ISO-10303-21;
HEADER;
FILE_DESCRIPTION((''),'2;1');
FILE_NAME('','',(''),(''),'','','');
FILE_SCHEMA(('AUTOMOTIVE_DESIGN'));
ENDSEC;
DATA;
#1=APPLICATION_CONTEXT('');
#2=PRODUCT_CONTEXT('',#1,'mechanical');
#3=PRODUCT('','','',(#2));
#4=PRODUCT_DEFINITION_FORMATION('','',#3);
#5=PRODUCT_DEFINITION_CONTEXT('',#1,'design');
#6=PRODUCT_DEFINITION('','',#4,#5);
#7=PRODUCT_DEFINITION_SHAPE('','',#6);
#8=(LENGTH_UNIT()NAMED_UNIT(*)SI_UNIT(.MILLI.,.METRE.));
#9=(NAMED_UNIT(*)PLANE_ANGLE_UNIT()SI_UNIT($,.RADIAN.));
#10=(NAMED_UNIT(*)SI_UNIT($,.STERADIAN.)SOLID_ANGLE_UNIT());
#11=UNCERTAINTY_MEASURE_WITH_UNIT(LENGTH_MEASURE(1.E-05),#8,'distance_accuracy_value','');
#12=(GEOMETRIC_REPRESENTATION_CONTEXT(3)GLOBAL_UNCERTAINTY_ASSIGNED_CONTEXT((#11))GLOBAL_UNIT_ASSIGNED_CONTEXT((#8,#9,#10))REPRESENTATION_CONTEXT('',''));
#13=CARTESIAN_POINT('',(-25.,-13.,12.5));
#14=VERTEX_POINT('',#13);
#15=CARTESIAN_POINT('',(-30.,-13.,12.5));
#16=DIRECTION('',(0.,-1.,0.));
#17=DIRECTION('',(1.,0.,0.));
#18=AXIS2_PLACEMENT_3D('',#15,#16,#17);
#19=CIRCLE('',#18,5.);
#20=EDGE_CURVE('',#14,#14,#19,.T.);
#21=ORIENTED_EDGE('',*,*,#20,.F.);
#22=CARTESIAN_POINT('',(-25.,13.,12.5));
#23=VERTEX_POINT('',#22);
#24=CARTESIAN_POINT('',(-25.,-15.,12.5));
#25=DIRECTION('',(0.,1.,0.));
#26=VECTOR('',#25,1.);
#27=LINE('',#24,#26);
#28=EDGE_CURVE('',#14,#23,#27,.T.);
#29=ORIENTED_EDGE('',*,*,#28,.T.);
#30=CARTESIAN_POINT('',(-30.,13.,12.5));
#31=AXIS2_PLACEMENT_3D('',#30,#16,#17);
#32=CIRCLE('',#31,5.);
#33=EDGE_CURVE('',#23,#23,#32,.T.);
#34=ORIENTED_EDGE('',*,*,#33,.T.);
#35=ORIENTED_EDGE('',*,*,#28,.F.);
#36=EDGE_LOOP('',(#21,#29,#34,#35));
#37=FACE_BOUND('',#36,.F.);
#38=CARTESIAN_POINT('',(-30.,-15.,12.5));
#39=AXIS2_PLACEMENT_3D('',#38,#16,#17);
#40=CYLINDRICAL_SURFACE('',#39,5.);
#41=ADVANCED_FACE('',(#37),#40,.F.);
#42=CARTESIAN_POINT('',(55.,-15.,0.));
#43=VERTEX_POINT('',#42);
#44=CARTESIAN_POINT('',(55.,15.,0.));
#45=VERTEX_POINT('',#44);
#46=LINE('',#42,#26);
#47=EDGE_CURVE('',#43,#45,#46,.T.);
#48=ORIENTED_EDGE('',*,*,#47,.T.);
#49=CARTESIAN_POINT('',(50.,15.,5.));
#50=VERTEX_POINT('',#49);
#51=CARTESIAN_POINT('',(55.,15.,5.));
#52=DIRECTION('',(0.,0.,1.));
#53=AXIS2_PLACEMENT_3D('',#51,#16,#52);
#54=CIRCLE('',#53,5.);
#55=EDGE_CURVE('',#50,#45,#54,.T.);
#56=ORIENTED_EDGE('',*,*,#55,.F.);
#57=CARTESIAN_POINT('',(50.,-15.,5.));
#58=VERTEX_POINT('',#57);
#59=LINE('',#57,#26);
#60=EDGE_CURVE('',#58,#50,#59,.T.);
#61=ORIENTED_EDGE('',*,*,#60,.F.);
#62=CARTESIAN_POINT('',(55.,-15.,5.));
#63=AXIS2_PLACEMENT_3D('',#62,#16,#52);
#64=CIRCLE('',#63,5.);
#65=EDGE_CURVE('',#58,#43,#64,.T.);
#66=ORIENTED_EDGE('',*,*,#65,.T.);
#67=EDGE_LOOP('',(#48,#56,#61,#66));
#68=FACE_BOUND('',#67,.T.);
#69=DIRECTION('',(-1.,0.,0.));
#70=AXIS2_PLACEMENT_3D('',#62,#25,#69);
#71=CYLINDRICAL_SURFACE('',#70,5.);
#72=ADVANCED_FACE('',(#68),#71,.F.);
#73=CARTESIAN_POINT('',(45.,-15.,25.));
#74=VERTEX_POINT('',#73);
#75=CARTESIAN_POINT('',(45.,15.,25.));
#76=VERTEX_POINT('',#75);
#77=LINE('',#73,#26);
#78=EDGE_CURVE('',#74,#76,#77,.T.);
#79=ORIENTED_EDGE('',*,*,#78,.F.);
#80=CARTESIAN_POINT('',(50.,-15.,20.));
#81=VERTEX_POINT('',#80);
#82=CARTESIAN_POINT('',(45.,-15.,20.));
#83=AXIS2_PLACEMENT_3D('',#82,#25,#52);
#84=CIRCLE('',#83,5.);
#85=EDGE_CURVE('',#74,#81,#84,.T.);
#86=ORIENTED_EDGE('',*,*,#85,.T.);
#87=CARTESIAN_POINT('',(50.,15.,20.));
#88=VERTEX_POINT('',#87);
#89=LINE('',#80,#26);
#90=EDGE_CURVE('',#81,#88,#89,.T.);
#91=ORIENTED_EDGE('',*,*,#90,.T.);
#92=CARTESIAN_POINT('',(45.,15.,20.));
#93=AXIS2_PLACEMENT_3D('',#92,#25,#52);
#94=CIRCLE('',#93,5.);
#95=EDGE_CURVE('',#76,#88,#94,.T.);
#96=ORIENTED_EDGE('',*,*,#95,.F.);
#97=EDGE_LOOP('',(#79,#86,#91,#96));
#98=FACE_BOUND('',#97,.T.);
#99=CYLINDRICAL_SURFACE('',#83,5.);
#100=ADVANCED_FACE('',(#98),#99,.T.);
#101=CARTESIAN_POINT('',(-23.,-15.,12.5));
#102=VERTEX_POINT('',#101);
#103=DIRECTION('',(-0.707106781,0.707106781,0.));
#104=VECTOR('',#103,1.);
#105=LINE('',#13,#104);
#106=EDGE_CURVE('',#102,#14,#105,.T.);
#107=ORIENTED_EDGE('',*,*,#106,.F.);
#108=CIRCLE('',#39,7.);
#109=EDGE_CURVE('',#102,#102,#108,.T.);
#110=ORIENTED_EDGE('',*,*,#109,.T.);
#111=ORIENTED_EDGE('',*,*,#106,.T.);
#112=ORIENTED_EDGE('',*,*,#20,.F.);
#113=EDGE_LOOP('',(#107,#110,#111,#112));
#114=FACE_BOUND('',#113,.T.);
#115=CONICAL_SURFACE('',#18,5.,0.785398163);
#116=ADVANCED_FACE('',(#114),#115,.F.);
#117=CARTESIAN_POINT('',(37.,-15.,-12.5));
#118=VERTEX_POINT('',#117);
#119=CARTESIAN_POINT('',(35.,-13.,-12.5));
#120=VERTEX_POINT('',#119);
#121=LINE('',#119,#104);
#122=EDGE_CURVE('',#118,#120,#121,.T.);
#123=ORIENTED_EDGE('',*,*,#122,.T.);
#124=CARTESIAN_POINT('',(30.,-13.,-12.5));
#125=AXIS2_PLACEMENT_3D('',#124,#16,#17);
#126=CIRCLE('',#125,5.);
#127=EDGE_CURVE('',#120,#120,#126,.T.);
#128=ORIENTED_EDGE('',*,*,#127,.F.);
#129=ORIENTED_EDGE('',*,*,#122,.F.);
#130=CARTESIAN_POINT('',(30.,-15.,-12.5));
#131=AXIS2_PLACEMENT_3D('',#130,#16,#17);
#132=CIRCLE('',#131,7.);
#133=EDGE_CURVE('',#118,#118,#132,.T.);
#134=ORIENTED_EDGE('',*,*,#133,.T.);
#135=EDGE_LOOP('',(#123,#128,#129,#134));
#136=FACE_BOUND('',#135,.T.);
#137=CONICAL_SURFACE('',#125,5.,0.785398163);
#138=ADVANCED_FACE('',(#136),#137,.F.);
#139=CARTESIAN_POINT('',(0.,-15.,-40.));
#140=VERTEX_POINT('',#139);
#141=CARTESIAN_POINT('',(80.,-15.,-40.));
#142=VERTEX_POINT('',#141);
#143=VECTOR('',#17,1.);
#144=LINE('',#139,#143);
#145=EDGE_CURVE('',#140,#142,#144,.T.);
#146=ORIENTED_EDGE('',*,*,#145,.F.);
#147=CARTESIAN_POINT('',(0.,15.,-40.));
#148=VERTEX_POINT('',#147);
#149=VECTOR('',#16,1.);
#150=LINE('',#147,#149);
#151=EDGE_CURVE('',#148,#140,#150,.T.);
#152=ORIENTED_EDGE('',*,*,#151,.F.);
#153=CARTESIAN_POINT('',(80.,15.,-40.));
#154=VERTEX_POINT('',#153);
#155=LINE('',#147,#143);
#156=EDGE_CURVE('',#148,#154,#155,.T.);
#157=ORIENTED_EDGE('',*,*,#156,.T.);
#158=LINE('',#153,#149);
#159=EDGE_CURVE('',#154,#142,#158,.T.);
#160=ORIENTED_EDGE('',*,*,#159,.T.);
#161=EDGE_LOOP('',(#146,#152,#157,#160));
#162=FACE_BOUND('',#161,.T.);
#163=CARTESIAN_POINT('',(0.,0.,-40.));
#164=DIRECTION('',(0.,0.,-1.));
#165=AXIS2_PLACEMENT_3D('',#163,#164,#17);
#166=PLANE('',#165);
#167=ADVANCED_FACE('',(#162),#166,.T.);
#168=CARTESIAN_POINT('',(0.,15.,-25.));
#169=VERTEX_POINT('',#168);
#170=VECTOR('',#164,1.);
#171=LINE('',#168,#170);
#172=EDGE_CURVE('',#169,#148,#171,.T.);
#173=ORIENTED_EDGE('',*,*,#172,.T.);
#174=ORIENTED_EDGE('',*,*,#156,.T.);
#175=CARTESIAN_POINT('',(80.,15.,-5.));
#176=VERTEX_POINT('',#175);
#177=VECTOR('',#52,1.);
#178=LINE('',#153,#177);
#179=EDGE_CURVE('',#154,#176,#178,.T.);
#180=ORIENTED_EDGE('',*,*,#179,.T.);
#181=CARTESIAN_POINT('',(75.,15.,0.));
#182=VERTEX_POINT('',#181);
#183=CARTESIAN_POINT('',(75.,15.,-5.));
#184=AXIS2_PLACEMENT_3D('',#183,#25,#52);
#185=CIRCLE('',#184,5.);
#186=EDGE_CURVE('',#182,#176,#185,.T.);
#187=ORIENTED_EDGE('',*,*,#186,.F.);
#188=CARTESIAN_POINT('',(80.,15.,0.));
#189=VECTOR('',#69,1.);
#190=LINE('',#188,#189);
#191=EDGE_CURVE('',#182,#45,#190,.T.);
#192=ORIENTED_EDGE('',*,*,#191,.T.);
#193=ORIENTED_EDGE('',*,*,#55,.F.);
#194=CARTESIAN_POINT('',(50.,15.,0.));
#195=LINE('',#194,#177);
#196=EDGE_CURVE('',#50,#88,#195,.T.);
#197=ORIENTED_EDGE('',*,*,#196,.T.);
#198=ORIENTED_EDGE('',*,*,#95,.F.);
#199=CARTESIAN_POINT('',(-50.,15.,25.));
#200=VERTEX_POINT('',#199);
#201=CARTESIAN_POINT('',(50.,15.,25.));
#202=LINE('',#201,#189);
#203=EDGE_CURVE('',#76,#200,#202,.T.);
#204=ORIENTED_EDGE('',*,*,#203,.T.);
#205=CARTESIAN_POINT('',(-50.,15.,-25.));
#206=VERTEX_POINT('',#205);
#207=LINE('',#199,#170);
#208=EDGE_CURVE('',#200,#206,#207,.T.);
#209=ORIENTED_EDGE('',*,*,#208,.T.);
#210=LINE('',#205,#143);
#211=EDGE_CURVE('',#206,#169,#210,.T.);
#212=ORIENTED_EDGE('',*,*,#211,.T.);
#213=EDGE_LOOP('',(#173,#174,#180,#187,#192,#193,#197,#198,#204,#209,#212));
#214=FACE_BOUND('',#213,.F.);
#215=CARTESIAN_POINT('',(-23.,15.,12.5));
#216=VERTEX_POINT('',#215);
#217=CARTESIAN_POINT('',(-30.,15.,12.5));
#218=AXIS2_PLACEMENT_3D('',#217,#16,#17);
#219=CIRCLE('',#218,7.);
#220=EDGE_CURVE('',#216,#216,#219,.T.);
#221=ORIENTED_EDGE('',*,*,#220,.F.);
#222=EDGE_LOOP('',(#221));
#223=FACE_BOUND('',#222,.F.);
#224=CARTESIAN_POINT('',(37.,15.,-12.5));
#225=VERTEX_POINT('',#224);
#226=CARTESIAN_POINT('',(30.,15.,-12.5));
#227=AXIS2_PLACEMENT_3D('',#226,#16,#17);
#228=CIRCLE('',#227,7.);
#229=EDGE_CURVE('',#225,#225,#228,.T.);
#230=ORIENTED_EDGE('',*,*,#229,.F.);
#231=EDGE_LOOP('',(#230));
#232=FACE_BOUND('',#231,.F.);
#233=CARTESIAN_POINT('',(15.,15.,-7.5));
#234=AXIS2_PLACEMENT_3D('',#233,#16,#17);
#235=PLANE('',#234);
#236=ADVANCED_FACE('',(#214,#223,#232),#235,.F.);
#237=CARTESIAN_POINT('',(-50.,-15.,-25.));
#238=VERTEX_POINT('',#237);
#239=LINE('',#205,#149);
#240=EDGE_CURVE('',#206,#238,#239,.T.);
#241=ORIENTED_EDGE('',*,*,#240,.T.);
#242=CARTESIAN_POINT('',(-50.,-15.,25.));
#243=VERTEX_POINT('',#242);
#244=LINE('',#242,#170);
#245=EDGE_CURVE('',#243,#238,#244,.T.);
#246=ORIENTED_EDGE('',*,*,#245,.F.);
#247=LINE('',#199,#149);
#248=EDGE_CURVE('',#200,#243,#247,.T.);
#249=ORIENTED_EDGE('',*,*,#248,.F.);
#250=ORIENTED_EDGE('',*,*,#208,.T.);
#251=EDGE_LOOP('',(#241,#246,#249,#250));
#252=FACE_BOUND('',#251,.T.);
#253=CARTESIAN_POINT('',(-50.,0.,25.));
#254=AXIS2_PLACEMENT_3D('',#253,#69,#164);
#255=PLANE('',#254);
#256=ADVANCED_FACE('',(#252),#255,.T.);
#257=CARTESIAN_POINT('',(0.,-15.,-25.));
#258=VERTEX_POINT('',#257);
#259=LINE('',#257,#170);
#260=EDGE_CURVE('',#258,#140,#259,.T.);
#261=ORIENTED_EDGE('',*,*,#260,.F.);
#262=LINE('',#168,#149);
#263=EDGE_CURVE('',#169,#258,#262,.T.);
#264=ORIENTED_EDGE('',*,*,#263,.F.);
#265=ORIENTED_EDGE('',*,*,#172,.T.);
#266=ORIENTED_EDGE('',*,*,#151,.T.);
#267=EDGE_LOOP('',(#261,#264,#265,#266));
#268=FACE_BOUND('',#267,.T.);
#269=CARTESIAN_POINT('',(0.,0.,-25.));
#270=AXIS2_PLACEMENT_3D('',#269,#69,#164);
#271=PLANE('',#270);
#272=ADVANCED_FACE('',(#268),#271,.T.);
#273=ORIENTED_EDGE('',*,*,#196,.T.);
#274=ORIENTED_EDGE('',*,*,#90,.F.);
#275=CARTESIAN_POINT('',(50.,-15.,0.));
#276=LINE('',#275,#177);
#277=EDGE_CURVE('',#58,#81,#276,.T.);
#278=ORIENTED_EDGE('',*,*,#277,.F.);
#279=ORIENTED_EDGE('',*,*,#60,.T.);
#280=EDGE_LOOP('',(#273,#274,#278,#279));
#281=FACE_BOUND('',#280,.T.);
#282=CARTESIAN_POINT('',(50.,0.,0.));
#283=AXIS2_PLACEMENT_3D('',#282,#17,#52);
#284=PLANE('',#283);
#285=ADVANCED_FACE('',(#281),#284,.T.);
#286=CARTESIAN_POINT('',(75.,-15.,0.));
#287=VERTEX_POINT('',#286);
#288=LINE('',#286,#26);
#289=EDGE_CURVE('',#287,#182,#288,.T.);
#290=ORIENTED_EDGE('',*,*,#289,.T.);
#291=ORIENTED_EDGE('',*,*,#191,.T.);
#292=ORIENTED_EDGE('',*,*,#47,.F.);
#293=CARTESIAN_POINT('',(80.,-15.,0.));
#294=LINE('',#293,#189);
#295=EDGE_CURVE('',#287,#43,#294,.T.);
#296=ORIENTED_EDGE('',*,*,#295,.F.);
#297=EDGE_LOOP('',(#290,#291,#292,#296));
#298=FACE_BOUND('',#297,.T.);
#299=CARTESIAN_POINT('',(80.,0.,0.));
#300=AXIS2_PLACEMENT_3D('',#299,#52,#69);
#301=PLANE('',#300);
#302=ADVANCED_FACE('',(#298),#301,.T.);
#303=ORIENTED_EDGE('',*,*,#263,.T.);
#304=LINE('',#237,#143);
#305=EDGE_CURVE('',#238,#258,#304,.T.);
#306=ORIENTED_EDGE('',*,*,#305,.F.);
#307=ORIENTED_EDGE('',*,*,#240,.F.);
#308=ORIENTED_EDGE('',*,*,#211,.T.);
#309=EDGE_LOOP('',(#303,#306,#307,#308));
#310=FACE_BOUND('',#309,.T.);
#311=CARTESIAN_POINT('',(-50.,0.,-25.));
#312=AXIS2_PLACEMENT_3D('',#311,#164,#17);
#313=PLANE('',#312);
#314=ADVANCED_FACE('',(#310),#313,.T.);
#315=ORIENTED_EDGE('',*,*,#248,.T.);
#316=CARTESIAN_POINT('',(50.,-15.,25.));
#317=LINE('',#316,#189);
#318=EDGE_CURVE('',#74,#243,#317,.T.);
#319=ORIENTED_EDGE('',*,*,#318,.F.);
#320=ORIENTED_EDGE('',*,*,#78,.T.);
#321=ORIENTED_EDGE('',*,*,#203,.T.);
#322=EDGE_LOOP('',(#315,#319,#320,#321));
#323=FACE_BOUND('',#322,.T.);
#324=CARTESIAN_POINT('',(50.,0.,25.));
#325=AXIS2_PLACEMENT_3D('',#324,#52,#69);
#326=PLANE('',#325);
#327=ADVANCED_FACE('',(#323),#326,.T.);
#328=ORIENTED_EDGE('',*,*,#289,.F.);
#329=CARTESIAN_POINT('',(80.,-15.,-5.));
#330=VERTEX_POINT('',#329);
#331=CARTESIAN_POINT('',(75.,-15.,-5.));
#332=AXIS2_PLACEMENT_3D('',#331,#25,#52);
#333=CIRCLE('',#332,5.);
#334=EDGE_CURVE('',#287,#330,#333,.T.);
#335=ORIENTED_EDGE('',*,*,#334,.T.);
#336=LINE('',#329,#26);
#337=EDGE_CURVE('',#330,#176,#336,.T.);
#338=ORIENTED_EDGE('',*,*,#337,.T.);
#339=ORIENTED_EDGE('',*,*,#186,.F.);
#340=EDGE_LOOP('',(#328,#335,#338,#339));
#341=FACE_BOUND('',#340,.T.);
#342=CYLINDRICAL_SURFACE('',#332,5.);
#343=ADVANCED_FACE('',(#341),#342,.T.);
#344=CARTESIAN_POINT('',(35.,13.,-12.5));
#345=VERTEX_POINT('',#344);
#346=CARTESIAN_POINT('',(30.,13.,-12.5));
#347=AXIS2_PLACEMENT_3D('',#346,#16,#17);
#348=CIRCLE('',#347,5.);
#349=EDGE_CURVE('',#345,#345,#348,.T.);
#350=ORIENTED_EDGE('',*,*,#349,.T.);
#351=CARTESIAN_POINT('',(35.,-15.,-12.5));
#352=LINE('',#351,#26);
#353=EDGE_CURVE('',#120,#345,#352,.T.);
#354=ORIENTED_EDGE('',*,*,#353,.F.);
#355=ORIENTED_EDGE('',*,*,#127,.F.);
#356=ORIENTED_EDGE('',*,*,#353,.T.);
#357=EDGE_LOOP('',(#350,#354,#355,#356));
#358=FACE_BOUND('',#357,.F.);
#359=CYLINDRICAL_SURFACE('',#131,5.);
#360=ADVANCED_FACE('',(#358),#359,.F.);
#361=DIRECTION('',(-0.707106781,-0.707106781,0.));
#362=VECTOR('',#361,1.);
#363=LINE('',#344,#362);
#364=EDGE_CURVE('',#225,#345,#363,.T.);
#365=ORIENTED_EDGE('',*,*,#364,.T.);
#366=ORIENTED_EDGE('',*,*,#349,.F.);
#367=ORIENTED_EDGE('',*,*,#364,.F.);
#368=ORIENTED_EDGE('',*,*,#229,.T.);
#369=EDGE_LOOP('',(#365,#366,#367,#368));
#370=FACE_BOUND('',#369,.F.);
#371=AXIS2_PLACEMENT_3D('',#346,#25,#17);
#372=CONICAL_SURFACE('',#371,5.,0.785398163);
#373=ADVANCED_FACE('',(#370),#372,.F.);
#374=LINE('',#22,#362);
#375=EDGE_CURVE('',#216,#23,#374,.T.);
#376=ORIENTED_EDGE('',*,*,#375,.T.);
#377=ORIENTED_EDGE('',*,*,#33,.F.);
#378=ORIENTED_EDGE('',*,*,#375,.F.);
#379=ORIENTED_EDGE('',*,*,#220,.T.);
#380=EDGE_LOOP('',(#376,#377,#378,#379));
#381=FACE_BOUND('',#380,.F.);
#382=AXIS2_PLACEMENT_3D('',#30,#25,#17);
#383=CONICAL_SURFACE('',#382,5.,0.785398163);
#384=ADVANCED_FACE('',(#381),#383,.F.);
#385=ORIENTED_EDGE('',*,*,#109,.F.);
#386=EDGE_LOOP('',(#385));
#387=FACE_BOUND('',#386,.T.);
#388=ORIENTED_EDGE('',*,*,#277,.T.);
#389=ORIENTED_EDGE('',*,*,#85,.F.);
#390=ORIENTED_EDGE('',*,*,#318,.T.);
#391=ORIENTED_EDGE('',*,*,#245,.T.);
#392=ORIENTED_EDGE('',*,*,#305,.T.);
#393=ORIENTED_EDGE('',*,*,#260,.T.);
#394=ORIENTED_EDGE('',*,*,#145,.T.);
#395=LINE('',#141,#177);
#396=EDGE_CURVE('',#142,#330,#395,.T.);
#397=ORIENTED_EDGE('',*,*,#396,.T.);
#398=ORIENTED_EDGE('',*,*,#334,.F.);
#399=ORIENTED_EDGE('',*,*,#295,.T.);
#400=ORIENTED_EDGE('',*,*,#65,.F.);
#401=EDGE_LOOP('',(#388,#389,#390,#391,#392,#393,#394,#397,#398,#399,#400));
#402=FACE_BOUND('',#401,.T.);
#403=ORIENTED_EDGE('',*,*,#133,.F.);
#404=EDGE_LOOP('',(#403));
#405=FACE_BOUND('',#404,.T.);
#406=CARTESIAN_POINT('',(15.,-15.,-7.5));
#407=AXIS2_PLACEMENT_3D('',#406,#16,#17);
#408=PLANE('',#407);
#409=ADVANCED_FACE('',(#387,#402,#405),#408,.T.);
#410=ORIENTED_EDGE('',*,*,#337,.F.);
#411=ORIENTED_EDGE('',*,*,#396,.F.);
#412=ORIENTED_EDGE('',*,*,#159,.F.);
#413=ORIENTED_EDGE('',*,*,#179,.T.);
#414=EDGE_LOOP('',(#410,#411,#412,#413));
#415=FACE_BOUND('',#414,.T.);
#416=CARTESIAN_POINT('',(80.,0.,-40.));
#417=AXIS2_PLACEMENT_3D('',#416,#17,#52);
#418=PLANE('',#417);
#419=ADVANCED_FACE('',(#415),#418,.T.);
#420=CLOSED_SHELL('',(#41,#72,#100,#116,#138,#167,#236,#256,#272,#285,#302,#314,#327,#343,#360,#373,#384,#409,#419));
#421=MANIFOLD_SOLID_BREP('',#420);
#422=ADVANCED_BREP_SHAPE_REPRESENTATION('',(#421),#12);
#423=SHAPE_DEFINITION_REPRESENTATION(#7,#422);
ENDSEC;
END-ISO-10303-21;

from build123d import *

# Parameters (mm, degrees)
F1_DEPTH = 15
F2_R     = 5
F3_R     = 5
F4_DEPTH = 30.001
F5_SIZE  = 2


with BuildPart() as f1:
    # F0 (on Front) → F1 (new body, symmetric)
    with BuildSketch(Plane.XZ):
        Polygon((50, 25), (-50, 25), (-50, -25), (0, -25), (0, -40), (80, -40), (80, 0), (50, 0), align=None)
    extrude(amount=F1_DEPTH, both=True)

    # F2
    f2_edges = [f1.edges().sort_by_distance(p)[0] for p in [
        (50, 0, 0),
        (50, 0, 25),
        (80, 0, 0),
    ]]
    fillet(f2_edges, radius=F2_R)

    # F3 (on face) → F4 (cut, through all)
    with BuildSketch(Plane.XZ.offset(15)):
        with Locations((-30, 12.5)):
            Circle(F3_R)
        with Locations((30, -12.5)):
            Circle(F3_R)
    extrude(amount=-F4_DEPTH, mode=Mode.SUBTRACT)

    # F5
    f5_edges = [f1.edges().sort_by_distance(p)[0] for p in [
        (-35, -15, 12.5),
        (25, -15, -12.5),
        (-35, 15, 12.5),
        (25, 15, -12.5),
    ]]
    chamfer(f5_edges, length=F5_SIZE)


solid = f1.part
